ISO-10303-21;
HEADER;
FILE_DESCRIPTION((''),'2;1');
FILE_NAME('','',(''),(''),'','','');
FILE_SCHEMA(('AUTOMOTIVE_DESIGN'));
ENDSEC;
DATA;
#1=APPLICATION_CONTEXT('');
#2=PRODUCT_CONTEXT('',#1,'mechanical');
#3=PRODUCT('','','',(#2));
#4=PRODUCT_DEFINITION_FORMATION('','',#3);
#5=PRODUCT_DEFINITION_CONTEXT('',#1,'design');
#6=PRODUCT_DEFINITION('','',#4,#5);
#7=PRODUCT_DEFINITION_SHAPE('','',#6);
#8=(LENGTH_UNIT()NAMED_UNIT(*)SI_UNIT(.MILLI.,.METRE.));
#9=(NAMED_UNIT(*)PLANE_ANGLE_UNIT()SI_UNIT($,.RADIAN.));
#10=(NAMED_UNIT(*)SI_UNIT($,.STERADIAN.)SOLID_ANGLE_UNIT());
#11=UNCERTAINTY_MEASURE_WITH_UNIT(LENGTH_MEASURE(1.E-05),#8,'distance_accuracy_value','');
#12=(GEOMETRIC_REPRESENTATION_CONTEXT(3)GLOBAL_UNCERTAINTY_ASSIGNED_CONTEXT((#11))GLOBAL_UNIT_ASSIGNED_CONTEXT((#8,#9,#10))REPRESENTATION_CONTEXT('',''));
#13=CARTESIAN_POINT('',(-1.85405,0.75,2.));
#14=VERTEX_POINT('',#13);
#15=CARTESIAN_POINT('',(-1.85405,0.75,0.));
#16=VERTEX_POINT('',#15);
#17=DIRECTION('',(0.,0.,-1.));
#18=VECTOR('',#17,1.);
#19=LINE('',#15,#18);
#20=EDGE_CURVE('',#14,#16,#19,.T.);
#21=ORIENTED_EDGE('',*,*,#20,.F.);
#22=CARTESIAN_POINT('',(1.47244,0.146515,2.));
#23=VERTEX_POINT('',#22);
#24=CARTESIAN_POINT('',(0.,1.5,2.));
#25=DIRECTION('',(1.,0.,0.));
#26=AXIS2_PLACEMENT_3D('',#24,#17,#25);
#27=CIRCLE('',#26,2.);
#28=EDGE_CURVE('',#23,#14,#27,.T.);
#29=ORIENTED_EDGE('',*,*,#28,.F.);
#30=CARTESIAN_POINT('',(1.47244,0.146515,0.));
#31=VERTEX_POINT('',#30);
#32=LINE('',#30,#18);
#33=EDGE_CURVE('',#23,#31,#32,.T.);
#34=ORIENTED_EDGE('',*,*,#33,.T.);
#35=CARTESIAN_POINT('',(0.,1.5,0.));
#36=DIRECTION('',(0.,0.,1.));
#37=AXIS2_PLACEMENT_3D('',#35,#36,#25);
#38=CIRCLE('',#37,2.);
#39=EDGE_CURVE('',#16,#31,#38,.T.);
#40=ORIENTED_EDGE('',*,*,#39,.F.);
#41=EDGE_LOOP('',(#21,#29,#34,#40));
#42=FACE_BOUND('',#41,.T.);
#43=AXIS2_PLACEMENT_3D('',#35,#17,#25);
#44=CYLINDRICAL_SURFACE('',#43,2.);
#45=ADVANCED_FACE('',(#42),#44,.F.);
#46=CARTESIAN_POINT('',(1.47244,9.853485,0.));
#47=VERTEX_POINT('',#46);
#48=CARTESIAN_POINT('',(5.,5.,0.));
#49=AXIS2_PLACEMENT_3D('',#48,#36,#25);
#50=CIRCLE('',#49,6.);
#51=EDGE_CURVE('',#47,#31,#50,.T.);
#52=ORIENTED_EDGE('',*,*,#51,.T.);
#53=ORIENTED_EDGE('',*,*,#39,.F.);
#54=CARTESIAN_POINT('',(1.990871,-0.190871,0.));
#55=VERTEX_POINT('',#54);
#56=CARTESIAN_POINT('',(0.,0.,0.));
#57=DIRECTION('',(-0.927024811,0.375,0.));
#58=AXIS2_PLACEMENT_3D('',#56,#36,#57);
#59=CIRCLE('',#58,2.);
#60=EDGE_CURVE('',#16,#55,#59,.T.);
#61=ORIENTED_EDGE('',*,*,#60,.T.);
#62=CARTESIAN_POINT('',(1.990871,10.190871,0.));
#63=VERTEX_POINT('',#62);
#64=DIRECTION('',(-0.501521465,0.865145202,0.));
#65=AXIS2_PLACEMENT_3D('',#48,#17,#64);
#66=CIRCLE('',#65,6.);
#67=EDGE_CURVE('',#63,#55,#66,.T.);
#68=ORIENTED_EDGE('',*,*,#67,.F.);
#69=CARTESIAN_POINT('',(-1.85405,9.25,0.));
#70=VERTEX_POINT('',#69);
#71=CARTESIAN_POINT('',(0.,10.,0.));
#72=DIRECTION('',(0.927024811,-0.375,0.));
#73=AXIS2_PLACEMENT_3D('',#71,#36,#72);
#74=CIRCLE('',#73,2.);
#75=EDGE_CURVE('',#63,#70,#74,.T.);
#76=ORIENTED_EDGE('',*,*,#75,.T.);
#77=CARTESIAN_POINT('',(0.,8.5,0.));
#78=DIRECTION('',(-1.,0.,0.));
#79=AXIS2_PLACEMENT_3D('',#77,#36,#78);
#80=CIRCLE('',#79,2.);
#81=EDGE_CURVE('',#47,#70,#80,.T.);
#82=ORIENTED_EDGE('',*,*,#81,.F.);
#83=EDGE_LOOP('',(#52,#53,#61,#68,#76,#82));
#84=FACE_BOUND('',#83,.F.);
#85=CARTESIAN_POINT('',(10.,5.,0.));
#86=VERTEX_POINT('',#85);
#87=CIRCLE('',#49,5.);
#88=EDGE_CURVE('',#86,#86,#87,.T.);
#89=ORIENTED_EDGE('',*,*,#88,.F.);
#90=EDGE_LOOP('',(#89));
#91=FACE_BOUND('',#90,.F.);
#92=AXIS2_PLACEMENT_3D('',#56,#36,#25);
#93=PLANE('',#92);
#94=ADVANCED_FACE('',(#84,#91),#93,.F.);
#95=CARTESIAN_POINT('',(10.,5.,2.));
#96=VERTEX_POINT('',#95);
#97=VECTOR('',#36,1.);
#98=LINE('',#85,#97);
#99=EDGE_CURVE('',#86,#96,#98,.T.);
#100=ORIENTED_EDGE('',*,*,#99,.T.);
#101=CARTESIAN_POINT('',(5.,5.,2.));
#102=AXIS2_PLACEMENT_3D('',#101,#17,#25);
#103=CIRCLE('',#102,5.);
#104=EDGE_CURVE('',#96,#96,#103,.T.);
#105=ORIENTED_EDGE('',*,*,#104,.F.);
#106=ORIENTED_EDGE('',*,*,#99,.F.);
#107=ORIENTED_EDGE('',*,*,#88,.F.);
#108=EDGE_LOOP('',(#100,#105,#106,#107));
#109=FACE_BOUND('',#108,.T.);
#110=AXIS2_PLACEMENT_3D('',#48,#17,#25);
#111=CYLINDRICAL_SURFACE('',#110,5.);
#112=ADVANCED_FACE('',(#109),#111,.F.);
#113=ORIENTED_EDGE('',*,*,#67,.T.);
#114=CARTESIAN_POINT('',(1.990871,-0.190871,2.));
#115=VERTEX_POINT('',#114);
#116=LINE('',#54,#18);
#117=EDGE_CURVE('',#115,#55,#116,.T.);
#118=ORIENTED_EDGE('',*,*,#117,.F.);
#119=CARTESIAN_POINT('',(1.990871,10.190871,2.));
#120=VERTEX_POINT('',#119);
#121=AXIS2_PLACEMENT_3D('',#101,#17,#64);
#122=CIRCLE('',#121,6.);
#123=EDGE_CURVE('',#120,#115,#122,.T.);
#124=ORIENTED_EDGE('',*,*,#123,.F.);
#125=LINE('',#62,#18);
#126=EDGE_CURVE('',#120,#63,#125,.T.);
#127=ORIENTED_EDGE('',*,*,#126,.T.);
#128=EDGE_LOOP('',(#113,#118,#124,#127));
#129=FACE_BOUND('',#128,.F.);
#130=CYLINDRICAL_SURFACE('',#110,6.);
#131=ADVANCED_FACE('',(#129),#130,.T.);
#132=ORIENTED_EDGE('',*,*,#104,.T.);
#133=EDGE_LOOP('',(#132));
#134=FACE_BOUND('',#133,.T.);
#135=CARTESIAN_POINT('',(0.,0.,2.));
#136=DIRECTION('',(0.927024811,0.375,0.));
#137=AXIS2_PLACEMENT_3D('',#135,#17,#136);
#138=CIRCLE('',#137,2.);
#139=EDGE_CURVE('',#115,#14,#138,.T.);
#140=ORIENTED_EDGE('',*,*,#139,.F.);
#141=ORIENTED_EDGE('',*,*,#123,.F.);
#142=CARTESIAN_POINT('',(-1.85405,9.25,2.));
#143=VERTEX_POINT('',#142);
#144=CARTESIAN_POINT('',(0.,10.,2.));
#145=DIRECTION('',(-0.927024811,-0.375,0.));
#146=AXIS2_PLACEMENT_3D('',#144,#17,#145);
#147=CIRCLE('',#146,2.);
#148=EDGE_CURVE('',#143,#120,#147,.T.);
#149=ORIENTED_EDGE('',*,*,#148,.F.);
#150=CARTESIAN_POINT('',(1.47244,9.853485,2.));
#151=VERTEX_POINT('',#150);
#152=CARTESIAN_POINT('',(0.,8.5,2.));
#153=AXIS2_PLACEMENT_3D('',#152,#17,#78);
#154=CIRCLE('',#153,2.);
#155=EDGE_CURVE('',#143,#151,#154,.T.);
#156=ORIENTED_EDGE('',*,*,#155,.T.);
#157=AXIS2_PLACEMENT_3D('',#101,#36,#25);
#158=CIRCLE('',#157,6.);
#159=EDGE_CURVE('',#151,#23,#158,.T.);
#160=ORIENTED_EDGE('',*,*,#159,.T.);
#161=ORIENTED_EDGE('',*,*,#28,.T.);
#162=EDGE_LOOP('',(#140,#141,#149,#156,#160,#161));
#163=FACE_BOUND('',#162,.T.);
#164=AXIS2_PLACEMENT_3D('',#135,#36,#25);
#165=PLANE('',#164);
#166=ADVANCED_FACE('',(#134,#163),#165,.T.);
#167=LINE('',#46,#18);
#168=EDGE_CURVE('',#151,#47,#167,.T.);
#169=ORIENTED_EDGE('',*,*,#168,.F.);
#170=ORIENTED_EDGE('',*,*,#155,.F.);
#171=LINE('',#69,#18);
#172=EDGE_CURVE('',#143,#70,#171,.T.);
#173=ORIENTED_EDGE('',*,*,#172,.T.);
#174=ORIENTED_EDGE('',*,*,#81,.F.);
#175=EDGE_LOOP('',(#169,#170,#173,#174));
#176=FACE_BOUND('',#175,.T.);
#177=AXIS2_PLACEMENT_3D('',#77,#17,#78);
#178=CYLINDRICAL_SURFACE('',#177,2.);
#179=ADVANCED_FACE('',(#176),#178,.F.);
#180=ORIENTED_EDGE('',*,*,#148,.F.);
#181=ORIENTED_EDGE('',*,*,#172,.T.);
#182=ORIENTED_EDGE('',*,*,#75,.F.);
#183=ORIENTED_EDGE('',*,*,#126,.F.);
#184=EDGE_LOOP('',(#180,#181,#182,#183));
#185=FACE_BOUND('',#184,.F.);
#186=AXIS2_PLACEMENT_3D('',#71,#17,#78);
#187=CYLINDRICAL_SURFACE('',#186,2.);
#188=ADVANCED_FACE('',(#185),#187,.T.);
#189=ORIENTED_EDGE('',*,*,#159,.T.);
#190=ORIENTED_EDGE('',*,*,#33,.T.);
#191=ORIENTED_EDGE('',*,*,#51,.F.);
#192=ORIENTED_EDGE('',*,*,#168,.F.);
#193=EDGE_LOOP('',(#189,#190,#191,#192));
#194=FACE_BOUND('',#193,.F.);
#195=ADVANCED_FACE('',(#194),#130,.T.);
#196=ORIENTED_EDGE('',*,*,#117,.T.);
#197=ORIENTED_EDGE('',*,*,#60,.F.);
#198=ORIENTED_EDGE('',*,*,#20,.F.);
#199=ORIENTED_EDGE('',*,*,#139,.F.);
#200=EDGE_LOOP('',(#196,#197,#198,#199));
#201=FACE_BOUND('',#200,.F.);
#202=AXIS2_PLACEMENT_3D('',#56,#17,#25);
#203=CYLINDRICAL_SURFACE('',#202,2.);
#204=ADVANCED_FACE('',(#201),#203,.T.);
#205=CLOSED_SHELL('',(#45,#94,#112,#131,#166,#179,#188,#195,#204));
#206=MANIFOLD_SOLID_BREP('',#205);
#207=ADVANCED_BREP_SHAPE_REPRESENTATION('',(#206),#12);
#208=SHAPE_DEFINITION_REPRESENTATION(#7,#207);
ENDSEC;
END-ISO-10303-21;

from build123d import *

# Parameters (mm, degrees)
CYLINDER005_R          = 5
CYLINDER005_DEPTH      = 3
CYLINDER003_R          = 2
CYLINDER003_DEPTH      = 4
CYLINDER002_R          = 2
CYLINDER002_DEPTH      = 2
CUT001_PLACEMENT_ANGLE = 180
CYLINDER001_R          = 2
CYLINDER001_DEPTH      = 4
CYLINDER_R             = 2
CYLINDER_DEPTH         = 2
CYLINDER004_R          = 6
CYLINDER004_DEPTH      = 2


with BuildPart() as cylinder005:
    # Cylinder005 → Cylinder005 (new body)
    with BuildSketch(Plane(origin=(5, 5, 0), x_dir=(1, 0, 0), z_dir=(0, 0, 1))):
        Circle(CYLINDER005_R)
    extrude(amount=CYLINDER005_DEPTH)


with BuildPart() as cylinder003:
    # Cylinder003 → Cylinder003 (new body)
    with BuildSketch(Plane(origin=(0, 1.5, 0), x_dir=(1, 0, 0), z_dir=(0, 0, 1))):
        Circle(CYLINDER003_R)
    extrude(amount=CYLINDER003_DEPTH)


with BuildPart() as cut001:
    # Cylinder002 → Cylinder002 (new body)
    with BuildSketch(Plane.XY):
        Circle(CYLINDER002_R)
    extrude(amount=CYLINDER002_DEPTH)

    # Cut001: cut Cylinder003
    add(cylinder003.part, mode=Mode.SUBTRACT)


with BuildPart() as cut001_1:
    # Cut001 placement: moved
    add(cut001.part.moved(Location((0, 10, 0))).rotate(Axis((0, 10, 0), (0, 0, 1)), CUT001_PLACEMENT_ANGLE))


with BuildPart() as cylinder001:
    # Cylinder001 → Cylinder001 (new body)
    with BuildSketch(Plane(origin=(0, 1.5, 0), x_dir=(1, 0, 0), z_dir=(0, 0, 1))):
        Circle(CYLINDER001_R)
    extrude(amount=CYLINDER001_DEPTH)


with BuildPart() as cut:
    # Cylinder → Cylinder (new body)
    with BuildSketch(Plane.XY):
        Circle(CYLINDER_R)
    extrude(amount=CYLINDER_DEPTH)

    # Cut: cut Cylinder001
    add(cylinder001.part, mode=Mode.SUBTRACT)


with BuildPart() as cut002:
    # Cylinder004 → Cylinder004 (new body)
    with BuildSketch(Plane(origin=(5, 5, 0), x_dir=(1, 0, 0), z_dir=(0, 0, 1))):
        Circle(CYLINDER004_R)
    extrude(amount=CYLINDER004_DEPTH)

    # Fusion: union Cut001, Cut
    add(cut001_1.part)
    add(cut.part)

    # Cut002: cut Cylinder005
    add(cylinder005.part, mode=Mode.SUBTRACT)


solid = cut002.part
